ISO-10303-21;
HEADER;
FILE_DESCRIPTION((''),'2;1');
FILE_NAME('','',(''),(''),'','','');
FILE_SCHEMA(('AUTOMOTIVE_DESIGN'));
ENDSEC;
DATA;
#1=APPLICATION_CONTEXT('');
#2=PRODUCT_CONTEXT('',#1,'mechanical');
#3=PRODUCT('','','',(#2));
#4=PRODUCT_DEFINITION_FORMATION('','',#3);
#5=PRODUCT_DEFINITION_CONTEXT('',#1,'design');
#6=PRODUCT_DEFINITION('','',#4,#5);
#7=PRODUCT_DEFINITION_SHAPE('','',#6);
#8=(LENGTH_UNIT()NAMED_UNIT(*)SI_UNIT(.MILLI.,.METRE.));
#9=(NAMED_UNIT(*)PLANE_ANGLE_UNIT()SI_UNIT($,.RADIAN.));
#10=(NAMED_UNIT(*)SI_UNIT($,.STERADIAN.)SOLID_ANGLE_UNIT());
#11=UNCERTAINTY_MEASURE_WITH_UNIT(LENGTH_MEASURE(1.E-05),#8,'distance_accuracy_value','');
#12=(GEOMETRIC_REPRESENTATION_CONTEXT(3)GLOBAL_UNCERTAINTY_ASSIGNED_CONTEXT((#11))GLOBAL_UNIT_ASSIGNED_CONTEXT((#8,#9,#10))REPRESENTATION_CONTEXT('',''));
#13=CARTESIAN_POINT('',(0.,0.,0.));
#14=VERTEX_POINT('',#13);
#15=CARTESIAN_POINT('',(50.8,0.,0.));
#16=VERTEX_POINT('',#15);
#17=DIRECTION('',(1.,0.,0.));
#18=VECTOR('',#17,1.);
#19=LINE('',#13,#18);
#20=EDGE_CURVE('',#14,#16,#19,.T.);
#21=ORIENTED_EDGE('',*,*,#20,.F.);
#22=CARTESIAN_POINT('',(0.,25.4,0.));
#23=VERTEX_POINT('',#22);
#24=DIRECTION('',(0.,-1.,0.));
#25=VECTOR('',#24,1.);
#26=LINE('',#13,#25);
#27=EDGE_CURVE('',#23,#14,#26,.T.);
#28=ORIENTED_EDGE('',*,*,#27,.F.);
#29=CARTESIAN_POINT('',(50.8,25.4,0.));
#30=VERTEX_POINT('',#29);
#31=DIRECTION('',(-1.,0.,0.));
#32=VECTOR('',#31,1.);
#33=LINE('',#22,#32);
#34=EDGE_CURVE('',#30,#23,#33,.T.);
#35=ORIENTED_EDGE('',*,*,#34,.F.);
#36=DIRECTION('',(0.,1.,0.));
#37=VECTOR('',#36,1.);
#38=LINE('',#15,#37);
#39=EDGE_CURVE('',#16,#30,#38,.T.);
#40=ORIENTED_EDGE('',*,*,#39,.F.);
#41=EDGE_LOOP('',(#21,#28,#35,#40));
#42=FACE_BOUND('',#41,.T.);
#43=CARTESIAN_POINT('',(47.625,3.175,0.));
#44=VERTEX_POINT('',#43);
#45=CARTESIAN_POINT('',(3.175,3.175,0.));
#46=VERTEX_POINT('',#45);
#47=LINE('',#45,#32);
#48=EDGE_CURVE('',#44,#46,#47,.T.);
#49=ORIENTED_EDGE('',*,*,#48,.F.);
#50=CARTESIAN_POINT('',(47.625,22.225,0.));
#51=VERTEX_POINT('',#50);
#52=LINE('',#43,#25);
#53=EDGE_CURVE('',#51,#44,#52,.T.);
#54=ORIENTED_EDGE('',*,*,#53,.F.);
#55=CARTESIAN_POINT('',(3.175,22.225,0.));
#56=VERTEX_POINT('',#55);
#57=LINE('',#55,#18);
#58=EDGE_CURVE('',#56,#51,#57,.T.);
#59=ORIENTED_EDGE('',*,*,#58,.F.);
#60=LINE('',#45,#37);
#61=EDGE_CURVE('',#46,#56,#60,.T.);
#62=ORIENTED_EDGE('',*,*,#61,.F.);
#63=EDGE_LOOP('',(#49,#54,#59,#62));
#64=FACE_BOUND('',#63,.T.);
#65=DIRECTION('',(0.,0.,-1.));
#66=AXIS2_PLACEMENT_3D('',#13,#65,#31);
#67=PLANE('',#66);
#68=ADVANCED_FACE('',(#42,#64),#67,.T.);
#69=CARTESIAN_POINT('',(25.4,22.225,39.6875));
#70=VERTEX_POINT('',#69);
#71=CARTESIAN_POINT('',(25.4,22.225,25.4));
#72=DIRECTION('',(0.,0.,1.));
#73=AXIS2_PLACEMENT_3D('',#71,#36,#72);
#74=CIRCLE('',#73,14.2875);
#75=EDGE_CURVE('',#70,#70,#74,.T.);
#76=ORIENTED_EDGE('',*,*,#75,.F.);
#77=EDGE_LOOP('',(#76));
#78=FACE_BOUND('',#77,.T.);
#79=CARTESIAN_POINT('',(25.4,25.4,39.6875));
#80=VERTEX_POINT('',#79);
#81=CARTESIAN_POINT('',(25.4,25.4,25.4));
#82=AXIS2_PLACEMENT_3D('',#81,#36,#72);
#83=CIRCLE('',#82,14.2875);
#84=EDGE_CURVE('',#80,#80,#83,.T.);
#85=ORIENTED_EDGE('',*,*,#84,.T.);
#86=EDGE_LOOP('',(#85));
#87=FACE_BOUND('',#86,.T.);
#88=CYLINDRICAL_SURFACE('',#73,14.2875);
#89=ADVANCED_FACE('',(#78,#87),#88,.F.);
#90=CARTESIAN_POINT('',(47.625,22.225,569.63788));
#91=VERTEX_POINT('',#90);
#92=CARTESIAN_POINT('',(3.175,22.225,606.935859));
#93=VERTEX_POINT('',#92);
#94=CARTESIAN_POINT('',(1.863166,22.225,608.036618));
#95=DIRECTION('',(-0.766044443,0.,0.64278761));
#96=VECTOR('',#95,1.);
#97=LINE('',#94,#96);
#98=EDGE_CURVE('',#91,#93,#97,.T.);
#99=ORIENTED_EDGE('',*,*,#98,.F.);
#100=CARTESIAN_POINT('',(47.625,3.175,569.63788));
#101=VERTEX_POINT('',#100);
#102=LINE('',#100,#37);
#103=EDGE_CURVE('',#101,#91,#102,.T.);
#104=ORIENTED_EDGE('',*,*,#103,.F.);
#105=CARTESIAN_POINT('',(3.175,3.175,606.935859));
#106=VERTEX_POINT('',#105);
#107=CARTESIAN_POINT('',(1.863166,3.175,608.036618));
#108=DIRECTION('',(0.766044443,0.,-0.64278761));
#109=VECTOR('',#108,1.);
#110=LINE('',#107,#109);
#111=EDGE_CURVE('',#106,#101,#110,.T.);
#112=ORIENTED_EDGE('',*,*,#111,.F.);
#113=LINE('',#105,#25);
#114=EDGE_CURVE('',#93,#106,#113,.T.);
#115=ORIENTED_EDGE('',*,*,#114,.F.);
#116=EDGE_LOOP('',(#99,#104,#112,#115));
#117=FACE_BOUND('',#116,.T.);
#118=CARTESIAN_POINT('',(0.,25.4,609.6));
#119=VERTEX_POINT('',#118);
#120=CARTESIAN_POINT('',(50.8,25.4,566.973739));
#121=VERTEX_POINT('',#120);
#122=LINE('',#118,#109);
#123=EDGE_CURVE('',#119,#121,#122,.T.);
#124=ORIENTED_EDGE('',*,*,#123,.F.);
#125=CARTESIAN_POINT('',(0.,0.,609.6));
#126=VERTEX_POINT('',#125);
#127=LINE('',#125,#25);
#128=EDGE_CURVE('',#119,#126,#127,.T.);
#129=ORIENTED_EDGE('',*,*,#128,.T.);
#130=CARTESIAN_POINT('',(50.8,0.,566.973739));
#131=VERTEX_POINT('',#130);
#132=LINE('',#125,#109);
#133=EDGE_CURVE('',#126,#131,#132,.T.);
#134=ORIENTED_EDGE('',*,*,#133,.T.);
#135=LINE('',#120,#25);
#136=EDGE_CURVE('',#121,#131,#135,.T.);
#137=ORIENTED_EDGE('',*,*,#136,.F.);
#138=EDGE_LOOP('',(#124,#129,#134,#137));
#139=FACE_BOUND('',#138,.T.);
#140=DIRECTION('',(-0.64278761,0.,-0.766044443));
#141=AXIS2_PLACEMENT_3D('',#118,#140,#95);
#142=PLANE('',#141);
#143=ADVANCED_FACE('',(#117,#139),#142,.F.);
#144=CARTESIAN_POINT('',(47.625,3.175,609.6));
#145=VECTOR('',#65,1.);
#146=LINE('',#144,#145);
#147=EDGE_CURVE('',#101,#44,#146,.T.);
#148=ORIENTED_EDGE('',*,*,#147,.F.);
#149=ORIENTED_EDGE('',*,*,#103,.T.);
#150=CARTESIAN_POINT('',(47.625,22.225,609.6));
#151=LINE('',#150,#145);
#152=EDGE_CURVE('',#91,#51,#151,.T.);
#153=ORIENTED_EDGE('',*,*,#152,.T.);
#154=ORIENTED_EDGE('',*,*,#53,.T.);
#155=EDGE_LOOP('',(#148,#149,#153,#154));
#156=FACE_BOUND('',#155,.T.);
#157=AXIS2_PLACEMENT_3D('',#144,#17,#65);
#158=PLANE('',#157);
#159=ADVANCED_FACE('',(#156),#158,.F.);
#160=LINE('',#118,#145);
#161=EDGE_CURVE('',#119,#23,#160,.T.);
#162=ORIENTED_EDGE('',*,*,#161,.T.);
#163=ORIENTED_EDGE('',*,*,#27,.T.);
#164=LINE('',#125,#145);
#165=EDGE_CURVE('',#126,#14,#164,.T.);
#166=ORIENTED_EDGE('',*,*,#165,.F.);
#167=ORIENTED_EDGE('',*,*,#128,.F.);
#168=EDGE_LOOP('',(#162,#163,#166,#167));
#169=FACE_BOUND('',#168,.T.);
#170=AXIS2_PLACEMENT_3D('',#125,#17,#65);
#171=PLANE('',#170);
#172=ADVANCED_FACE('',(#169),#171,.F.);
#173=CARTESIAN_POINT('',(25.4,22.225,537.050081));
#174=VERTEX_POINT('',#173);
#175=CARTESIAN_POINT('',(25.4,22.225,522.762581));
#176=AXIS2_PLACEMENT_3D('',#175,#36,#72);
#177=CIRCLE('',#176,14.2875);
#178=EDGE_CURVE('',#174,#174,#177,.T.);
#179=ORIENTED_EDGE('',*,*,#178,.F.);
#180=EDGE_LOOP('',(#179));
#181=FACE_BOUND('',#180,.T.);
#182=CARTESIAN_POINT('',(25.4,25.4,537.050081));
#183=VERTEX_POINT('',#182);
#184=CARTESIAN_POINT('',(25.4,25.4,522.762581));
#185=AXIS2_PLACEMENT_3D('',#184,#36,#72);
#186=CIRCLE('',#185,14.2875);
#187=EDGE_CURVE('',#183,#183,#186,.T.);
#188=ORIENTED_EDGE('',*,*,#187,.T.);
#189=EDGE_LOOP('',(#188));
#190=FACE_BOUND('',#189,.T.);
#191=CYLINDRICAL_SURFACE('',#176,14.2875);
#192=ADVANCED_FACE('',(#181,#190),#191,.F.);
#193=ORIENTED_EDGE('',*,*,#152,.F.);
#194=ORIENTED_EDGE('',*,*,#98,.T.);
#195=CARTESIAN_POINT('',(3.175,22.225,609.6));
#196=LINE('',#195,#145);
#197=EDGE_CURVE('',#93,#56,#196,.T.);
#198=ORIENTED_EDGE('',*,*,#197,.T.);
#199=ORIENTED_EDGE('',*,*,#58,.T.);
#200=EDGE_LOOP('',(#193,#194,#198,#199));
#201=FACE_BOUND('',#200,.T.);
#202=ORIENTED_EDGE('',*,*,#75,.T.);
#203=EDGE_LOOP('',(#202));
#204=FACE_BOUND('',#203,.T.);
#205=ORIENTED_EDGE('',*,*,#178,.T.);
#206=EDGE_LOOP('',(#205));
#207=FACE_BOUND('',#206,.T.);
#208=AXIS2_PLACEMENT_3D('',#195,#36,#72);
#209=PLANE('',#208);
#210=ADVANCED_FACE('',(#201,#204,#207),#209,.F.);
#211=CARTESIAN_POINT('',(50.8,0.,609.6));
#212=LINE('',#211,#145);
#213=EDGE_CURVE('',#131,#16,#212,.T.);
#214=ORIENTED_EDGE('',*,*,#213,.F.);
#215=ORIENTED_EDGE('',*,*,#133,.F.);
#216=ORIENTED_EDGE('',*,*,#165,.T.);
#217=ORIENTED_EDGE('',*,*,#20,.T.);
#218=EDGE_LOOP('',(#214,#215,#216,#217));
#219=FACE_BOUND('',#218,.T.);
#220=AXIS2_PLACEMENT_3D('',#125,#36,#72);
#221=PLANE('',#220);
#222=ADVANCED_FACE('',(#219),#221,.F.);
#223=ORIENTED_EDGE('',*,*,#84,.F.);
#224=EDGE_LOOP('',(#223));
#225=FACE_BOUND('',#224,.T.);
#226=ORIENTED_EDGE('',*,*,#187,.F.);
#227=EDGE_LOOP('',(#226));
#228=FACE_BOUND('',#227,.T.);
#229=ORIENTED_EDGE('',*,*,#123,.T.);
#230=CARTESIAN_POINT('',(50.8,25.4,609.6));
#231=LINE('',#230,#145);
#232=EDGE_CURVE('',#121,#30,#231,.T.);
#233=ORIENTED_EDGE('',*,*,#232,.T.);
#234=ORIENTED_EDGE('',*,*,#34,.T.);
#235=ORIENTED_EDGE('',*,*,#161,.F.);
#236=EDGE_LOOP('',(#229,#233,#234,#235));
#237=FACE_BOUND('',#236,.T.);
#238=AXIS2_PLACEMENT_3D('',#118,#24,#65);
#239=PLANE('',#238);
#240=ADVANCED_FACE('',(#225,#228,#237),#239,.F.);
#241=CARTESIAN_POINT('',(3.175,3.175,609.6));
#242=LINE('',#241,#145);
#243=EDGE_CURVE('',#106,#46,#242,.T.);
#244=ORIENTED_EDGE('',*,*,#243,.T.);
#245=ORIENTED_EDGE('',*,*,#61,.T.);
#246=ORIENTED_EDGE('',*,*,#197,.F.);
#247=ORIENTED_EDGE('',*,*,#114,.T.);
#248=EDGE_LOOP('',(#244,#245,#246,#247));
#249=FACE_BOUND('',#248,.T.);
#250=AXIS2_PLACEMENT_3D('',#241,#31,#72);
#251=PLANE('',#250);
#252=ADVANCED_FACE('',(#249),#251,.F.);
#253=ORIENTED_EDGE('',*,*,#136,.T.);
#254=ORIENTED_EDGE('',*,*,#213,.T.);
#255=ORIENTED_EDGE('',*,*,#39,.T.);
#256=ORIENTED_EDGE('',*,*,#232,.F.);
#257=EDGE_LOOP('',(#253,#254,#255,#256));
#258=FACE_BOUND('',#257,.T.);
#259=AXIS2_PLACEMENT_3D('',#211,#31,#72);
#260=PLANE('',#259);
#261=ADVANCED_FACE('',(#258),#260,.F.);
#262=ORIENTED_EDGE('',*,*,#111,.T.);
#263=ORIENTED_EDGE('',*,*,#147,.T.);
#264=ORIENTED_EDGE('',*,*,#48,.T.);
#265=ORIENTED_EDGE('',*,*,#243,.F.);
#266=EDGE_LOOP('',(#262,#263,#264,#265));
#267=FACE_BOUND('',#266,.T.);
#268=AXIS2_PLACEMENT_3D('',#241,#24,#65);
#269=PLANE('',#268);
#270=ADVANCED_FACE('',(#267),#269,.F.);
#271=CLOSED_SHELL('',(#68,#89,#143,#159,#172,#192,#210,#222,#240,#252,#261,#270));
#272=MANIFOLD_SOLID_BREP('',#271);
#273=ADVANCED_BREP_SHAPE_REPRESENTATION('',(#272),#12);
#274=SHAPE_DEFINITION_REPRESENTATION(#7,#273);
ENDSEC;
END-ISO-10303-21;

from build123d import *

# Parameters (mm, degrees)
SKETCH1_W           = 50.8
SKETCH1_H           = 25.4
BOSS_EXTRUDE1_DEPTH = 609.6
SKETCH2_W           = 44.45
SKETCH2_H           = 19.05
CUT_EXTRUDE1_DEPTH  = 609.6
CUT_EXTRUDE3_DEPTH  = 25.4
SKETCH6_R           = 14.2875
CUT_EXTRUDE5_DEPTH  = 3.175
SKETCH8_R           = 14.2875
CUT_EXTRUDE7_DEPTH  = 3.175


with BuildPart() as part:
    # Sketch1 → Boss-Extrude1 (new body)
    with BuildSketch(Plane.XY):
        with Locations((25.4, 12.7)):
            Rectangle(SKETCH1_W, SKETCH1_H)
    extrude(amount=BOSS_EXTRUDE1_DEPTH)

    # Sketch2 → Cut-Extrude1 (cut)
    with BuildSketch(Plane(origin=(0, 0, 0), x_dir=(-1, 0, 0), z_dir=(0, 0, -1))):
        with Locations((-25.4, 12.7)):
            Rectangle(SKETCH2_W, SKETCH2_H)
    extrude(amount=-CUT_EXTRUDE1_DEPTH, mode=Mode.SUBTRACT)

    # Sketch4 → Cut-Extrude3 (cut)
    with BuildSketch(Plane.XZ):
        Polygon((0, 609.6), (50.8, 566.973738736), (50.8, 609.6), align=None)
    extrude(amount=-CUT_EXTRUDE3_DEPTH, mode=Mode.SUBTRACT)

    # Sketch6 → Cut-Extrude5 (cut)
    with BuildSketch(Plane(origin=(0, 25.4, 0), x_dir=(1, 0, 0), z_dir=(0, 1, 0))):
        with Locations((25.4, -25.4)):
            Circle(SKETCH6_R)
    extrude(amount=-CUT_EXTRUDE5_DEPTH, mode=Mode.SUBTRACT)

    # Sketch8 → Cut-Extrude7 (cut)
    with BuildSketch(Plane(origin=(0, 25.4, 0), x_dir=(1, 0, 0), z_dir=(0, 1, 0))):
        with Locations((25.4, -522.762581257)):
            Circle(SKETCH8_R)
    extrude(amount=-CUT_EXTRUDE7_DEPTH, mode=Mode.SUBTRACT)


solid = part.part
